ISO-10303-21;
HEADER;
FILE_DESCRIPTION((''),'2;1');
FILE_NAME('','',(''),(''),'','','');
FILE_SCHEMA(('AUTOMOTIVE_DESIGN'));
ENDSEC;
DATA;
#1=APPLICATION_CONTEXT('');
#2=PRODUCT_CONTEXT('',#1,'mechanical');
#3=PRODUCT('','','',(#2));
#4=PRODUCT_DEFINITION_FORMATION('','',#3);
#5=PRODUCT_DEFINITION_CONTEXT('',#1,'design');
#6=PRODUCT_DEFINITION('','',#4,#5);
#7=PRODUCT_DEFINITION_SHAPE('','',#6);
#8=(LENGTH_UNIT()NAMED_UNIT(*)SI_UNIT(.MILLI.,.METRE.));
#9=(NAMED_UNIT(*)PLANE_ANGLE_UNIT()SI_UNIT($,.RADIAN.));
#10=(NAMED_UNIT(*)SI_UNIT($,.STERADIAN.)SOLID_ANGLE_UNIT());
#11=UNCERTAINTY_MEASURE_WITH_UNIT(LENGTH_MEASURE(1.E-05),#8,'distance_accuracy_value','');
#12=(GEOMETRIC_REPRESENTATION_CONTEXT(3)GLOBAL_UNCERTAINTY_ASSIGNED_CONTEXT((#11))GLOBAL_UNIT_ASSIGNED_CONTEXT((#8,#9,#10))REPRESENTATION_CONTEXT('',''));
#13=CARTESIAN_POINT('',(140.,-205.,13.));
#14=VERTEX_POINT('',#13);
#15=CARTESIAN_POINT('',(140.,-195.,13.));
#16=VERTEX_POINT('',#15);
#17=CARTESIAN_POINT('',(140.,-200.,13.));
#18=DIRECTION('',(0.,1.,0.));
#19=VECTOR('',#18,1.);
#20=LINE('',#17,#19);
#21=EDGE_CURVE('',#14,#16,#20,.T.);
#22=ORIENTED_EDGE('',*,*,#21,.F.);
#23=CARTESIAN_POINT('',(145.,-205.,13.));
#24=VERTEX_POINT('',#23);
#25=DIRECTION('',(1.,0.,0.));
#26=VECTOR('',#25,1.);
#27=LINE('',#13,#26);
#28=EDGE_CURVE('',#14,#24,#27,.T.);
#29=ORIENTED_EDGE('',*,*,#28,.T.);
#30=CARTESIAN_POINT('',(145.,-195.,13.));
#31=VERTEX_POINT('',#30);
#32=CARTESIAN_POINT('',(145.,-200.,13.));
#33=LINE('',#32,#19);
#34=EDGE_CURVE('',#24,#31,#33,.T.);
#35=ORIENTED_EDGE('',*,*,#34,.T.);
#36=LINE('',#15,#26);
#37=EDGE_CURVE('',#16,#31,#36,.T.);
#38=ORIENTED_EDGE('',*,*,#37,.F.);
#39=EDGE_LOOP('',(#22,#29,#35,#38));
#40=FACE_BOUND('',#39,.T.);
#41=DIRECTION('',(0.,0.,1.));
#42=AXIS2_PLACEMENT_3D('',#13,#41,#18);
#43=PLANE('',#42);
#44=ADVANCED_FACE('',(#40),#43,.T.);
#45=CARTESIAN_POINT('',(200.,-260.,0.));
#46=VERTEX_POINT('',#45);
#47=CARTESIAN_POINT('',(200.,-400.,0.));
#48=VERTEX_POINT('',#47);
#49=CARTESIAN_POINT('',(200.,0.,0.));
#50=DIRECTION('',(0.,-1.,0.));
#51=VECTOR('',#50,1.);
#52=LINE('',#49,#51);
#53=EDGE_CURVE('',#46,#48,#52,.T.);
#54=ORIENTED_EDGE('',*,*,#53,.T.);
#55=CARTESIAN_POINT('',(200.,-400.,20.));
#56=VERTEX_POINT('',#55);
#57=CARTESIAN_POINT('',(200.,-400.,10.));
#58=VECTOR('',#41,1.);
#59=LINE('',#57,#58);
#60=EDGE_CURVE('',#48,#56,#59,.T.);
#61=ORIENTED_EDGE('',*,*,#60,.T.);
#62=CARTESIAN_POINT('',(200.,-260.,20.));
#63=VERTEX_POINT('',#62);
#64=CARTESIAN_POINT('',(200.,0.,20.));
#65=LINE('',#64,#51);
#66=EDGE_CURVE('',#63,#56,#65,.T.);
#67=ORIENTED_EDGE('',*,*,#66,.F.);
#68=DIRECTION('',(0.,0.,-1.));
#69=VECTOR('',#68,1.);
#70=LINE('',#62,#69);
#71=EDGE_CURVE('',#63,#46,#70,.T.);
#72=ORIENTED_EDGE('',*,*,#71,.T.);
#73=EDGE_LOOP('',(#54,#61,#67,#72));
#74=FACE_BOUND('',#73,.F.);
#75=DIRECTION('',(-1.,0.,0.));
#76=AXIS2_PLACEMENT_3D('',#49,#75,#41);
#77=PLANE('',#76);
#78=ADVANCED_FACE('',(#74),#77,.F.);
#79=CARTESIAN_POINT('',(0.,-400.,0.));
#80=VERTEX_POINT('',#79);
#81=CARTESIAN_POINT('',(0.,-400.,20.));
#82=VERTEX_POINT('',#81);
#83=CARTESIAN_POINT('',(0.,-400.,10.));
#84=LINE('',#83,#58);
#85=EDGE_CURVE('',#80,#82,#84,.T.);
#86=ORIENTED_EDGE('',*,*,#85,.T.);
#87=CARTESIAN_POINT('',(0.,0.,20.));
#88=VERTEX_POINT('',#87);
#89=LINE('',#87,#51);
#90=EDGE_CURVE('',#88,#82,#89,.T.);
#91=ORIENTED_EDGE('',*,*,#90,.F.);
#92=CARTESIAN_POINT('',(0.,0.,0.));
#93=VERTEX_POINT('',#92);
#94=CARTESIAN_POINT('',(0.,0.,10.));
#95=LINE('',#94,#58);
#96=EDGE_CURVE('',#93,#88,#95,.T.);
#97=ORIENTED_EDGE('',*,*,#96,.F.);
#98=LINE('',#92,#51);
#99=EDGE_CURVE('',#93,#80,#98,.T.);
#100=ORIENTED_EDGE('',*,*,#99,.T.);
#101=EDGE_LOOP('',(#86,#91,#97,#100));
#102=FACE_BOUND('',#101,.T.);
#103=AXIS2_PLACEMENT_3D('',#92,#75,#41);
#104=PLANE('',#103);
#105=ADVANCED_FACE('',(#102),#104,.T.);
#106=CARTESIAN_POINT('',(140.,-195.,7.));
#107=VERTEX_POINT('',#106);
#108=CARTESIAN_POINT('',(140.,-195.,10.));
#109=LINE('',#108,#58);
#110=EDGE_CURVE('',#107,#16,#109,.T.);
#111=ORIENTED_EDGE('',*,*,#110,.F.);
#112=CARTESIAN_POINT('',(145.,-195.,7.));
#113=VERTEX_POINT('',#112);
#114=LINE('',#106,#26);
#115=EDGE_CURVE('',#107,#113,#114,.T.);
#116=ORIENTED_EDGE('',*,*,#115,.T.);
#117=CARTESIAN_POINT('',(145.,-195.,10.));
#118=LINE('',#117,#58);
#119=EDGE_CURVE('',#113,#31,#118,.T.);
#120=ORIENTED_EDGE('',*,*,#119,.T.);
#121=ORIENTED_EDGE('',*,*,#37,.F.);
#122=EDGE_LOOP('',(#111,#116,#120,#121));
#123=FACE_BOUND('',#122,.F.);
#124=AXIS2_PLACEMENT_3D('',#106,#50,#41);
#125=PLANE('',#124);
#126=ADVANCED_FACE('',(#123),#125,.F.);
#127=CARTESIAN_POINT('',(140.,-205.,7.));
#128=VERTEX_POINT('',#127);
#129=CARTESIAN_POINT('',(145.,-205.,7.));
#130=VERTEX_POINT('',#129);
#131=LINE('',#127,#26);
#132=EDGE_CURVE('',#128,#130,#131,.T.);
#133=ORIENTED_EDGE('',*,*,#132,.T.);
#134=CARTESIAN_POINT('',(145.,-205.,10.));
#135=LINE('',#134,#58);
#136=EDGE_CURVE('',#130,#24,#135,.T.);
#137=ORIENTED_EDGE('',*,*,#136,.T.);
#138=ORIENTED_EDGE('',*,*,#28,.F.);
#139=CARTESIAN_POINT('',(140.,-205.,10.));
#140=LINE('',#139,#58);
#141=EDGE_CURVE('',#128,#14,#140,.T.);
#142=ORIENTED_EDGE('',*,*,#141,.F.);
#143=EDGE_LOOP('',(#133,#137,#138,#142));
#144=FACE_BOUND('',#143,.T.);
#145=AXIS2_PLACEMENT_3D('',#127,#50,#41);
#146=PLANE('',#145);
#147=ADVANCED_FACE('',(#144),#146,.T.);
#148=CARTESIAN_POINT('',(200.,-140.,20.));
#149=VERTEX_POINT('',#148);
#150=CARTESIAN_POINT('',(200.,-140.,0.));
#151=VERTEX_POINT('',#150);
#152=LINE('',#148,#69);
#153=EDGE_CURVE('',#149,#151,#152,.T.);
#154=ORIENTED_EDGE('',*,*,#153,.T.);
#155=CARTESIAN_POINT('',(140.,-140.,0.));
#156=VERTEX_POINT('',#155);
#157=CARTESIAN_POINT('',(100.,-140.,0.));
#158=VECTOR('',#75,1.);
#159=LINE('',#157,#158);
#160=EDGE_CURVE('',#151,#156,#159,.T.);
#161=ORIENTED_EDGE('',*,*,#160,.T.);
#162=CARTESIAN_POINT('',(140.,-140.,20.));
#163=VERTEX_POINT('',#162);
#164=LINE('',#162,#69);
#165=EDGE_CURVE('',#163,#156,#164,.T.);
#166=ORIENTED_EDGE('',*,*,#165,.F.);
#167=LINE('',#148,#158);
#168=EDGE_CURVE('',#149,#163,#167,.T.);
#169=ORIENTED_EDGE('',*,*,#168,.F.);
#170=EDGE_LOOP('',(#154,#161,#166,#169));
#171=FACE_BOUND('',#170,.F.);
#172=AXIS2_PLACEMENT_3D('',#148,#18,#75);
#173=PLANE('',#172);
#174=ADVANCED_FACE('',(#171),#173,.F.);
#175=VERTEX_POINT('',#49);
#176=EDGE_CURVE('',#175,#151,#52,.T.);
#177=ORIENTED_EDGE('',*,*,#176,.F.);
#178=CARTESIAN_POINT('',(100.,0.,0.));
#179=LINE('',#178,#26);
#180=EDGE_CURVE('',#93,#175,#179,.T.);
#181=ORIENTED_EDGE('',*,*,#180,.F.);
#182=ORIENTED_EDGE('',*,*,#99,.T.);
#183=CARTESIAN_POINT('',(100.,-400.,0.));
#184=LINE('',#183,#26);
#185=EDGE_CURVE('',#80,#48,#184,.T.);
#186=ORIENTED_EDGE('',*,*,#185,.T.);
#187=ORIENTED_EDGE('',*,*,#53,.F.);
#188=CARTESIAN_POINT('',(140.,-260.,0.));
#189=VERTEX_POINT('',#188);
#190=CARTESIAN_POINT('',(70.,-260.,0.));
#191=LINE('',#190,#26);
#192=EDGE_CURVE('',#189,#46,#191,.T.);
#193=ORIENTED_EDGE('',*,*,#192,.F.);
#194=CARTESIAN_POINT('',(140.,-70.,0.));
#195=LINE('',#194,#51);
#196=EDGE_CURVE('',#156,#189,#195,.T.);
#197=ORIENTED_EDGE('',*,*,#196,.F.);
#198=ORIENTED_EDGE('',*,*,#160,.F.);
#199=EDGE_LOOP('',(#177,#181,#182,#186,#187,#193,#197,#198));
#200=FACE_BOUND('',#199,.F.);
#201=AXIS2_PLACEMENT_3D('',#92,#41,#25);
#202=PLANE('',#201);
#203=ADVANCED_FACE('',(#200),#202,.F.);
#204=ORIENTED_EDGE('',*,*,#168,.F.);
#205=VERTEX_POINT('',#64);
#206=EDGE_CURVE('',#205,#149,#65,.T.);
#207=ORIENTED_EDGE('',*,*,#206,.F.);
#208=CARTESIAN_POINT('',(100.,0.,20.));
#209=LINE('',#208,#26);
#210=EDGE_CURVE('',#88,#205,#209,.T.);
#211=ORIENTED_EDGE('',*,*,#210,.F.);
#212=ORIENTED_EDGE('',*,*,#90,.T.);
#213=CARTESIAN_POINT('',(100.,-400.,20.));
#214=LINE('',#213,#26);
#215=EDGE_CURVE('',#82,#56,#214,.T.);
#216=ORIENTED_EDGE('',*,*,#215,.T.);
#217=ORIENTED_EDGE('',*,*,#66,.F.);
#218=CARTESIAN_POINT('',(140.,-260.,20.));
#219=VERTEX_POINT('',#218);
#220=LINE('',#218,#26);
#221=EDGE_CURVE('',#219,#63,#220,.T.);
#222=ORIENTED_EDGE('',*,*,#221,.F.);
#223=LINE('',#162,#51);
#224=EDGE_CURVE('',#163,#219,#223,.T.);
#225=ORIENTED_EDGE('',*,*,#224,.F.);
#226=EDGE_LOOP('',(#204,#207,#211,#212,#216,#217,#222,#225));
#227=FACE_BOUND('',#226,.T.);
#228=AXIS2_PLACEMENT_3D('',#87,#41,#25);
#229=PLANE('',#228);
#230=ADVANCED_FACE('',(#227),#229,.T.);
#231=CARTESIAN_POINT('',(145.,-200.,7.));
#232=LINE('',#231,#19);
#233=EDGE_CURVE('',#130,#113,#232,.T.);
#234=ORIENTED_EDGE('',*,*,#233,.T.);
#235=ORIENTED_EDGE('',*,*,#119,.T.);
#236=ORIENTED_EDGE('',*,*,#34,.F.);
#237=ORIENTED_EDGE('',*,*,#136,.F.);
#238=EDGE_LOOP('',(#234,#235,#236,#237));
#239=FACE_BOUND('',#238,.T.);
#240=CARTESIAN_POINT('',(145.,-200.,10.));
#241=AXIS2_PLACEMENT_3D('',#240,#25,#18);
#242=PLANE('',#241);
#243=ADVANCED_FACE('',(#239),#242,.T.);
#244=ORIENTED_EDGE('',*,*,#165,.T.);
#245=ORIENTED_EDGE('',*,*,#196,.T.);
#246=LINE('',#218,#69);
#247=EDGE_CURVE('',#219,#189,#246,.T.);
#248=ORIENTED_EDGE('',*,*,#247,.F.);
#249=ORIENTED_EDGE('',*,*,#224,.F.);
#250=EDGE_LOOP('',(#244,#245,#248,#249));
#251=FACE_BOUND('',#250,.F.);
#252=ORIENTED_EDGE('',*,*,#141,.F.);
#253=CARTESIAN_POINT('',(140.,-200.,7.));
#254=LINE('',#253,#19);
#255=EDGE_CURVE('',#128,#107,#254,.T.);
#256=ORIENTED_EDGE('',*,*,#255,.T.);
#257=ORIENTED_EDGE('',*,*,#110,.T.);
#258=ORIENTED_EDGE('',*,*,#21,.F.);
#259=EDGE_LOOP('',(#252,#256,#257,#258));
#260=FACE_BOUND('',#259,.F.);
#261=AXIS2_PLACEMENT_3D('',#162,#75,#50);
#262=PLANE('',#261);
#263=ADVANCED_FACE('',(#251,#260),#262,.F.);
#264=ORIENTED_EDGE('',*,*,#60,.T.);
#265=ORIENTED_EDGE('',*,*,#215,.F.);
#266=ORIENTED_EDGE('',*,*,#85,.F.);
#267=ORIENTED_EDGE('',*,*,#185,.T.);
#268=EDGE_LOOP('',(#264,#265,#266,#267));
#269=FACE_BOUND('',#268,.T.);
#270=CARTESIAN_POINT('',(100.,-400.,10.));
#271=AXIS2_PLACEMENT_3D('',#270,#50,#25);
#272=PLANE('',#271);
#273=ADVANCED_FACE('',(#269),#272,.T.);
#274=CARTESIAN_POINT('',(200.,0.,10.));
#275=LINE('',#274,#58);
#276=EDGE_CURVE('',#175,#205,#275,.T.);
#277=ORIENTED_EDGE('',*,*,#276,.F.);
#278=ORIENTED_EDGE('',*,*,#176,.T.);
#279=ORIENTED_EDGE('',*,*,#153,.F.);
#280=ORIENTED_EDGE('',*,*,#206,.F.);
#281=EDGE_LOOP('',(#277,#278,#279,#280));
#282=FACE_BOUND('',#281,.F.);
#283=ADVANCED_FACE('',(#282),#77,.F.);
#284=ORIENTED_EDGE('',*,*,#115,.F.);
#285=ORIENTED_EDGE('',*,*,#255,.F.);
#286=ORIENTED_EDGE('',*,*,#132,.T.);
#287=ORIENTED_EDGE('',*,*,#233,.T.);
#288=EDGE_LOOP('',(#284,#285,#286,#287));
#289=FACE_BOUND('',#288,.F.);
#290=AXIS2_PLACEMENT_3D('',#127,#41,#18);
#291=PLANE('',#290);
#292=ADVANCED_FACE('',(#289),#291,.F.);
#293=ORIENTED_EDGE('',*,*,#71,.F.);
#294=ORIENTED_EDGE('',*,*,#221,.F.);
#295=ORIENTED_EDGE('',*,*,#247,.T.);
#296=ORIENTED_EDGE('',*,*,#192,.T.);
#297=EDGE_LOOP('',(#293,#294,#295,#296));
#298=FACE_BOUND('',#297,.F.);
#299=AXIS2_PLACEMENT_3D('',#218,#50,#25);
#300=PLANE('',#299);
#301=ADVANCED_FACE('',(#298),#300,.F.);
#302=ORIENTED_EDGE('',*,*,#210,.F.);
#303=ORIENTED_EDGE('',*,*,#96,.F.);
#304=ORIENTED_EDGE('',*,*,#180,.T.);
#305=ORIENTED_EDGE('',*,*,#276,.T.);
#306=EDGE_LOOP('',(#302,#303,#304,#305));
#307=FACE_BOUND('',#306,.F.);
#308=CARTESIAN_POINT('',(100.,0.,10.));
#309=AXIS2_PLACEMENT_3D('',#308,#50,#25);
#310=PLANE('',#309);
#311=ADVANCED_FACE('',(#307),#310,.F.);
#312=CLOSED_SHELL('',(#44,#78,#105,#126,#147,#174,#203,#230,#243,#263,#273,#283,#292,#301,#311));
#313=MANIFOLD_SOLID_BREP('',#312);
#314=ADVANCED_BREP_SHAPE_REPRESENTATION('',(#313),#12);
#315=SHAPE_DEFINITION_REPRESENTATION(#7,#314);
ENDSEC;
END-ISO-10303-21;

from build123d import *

# Parameters (mm, degrees)
F0_W     = 200
F0_H     = 20
F1_DEPTH = 400
F3_DEPTH = 25
F4_W     = 10
F4_H     = 6
F5_DEPTH = 5


with BuildPart() as f1:
    # F0 (on Front) → F1 (new body)
    with BuildSketch(Plane.XZ):
        with Locations((100, 10)):
            Rectangle(F0_W, F0_H)
    extrude(amount=F1_DEPTH)

    # F2 (on face) → F3 (cut)
    with BuildSketch(Plane.XY.offset(20)):
        Polygon((200, -260), (200, -200), (200, -140), (140, -140), (140, -260), align=None)
    extrude(amount=-F3_DEPTH, mode=Mode.SUBTRACT)

    # F4 (on face) → F5 (join)
    with BuildSketch(Plane.YZ.offset(140)):
        with Locations((-200, 10)):
            Rectangle(F4_W, F4_H)
    extrude(amount=F5_DEPTH)


solid = f1.part
